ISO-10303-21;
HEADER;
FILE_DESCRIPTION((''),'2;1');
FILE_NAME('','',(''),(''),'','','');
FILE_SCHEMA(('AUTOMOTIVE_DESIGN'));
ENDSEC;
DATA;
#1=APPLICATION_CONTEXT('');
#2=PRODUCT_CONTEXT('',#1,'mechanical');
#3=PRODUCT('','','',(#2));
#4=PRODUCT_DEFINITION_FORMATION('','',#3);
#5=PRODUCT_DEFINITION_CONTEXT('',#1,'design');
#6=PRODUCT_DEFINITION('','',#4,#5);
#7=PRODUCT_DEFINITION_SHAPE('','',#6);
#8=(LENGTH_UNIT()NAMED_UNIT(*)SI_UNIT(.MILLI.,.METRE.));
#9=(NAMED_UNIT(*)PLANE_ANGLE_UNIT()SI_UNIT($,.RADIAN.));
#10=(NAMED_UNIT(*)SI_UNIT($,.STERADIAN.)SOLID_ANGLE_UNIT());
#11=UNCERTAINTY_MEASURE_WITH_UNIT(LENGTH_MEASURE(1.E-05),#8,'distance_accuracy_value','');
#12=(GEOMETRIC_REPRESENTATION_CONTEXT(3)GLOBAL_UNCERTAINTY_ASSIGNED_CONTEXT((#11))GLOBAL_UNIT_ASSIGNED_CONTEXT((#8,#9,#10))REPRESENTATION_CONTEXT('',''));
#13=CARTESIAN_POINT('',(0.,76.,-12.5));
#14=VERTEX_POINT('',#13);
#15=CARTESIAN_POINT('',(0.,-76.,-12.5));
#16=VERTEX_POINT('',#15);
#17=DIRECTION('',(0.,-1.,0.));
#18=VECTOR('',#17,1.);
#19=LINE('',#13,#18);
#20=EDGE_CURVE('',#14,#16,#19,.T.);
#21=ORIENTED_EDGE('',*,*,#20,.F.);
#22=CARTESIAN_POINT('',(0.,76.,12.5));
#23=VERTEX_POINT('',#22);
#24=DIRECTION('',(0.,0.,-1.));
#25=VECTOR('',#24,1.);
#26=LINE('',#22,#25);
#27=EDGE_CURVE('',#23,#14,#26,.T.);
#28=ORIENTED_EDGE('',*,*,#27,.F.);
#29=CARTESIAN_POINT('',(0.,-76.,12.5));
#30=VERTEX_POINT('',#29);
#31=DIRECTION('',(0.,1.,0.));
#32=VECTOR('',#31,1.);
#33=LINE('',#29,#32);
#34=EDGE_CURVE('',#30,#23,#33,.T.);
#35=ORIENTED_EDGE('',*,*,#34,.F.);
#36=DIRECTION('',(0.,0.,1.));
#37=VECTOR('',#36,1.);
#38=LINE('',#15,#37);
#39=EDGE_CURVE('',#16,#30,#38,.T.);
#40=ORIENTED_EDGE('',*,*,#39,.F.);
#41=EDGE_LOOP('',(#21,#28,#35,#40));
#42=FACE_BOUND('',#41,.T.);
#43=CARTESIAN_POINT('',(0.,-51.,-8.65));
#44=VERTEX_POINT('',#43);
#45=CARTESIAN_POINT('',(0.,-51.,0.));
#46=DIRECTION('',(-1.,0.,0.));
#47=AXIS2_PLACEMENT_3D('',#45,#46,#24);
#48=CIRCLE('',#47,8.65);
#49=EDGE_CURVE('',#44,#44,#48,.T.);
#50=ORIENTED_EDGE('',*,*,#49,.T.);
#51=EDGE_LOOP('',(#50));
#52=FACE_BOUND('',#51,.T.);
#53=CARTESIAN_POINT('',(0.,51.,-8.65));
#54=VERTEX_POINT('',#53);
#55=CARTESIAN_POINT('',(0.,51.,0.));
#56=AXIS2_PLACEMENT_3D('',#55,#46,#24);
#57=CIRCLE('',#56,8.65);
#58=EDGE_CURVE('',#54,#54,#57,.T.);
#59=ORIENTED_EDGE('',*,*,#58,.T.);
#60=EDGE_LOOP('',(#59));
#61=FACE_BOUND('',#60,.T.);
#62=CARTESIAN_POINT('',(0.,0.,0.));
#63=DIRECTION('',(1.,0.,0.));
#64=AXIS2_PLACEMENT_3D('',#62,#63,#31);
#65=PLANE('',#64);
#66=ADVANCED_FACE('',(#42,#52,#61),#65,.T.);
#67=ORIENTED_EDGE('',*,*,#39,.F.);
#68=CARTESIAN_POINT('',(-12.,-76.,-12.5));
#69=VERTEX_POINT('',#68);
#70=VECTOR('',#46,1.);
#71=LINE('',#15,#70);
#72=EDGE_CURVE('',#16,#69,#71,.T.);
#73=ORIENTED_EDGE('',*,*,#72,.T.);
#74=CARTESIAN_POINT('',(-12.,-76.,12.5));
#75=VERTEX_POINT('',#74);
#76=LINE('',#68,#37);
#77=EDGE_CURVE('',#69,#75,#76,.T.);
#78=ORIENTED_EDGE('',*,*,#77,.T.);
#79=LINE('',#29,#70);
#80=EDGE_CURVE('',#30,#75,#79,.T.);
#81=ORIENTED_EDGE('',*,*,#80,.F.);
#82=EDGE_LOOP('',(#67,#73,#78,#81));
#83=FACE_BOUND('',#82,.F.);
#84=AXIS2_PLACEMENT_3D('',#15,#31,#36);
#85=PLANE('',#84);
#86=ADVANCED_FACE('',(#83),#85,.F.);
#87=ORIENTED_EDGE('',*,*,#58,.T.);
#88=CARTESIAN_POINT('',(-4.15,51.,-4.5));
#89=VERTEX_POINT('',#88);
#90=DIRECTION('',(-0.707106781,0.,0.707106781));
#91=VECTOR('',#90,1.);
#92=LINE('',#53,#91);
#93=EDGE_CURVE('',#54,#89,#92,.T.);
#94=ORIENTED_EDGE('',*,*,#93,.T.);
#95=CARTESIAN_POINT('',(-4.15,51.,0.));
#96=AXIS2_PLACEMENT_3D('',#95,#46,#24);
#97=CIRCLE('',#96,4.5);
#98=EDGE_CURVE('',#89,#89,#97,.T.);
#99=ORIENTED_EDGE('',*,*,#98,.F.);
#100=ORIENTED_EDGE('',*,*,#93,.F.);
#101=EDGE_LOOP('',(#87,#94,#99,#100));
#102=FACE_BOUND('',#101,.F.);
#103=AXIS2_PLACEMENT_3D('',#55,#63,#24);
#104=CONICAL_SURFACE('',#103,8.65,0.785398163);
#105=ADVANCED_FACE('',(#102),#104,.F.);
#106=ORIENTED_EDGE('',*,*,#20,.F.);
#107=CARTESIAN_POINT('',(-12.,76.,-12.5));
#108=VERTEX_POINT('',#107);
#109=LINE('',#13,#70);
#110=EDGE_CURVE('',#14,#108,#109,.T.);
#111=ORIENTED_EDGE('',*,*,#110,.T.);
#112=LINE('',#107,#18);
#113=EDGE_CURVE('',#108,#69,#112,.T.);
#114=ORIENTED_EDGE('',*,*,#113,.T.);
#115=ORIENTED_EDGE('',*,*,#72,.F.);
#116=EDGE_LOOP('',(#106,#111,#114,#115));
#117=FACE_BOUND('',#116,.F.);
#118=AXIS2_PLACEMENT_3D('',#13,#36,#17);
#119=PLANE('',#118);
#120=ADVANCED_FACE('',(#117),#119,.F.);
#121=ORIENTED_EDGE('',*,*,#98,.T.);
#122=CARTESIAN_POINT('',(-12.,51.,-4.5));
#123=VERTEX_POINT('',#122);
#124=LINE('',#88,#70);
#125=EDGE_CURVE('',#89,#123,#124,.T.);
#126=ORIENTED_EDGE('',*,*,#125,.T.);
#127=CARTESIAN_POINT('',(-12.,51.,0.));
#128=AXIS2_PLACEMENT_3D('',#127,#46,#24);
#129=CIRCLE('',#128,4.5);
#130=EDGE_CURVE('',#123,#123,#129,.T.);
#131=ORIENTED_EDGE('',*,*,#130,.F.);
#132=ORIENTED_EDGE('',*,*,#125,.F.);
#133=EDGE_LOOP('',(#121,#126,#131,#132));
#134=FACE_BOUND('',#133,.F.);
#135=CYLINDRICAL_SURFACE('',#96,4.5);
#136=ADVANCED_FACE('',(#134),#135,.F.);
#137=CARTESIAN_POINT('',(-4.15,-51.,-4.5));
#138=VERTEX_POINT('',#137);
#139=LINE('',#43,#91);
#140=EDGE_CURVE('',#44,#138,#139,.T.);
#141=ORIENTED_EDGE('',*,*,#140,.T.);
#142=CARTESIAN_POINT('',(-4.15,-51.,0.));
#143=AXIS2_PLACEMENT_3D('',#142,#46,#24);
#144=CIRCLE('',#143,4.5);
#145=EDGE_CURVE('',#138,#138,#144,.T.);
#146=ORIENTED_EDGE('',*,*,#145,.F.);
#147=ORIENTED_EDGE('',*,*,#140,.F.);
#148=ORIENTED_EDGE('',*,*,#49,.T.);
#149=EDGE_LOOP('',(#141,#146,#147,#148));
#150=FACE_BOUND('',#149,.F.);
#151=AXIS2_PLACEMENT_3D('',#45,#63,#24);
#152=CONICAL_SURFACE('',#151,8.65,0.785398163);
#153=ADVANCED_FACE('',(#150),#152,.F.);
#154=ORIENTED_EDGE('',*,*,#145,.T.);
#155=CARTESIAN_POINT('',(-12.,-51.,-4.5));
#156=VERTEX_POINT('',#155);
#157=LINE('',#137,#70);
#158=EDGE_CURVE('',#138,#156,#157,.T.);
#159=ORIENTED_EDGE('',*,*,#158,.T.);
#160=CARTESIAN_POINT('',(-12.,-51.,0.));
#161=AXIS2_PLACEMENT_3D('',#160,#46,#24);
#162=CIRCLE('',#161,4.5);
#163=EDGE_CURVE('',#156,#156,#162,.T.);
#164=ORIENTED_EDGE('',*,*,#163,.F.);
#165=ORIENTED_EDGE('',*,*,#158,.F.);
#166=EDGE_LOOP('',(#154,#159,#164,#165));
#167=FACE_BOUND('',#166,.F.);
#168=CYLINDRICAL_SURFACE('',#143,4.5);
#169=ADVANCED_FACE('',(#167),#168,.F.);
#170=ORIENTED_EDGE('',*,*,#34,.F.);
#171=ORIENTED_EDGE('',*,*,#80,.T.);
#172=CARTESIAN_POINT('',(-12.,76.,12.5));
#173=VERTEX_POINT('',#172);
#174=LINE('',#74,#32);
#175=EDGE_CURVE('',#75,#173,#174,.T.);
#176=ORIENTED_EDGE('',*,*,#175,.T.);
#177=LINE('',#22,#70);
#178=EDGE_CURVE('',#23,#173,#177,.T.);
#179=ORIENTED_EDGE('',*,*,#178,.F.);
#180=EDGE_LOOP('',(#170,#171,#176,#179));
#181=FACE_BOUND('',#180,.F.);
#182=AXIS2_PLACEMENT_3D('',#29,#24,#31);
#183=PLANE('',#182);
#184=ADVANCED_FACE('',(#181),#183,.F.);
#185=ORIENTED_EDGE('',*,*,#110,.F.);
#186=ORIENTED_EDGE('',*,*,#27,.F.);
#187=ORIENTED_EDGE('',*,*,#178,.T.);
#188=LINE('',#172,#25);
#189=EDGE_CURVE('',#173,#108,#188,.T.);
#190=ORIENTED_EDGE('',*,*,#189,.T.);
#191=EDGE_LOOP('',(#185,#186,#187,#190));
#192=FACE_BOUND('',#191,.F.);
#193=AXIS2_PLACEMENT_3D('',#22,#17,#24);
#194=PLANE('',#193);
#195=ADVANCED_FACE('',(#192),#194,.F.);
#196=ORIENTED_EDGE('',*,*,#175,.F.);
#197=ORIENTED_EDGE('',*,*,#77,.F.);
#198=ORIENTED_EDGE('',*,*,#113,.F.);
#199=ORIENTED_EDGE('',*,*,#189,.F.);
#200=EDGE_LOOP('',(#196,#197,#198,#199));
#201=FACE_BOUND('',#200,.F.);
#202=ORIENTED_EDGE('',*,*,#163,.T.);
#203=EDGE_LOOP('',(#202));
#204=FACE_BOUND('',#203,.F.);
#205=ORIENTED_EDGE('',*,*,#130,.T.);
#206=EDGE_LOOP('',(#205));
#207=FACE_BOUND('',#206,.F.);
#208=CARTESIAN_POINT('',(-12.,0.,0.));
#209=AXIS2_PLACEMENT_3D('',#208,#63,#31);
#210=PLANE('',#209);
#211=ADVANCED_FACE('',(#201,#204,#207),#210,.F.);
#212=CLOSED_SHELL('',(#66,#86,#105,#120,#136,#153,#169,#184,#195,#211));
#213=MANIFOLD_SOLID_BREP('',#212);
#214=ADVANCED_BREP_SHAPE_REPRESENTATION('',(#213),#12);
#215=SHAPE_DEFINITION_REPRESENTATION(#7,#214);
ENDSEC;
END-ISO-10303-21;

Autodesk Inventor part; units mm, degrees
ref_plane "YZ Plane" through (0, 0, 0) normal (1, 0, 0) x (0, 1, 0)
ref_plane "XZ Plane" through (0, 0, 0) normal (0, 1, 0) x (-1, 0, 0)
ref_plane "XY Plane" through (0, 0, 0) normal (0, 0, 1) x (1, 0, 0)
sketch "Sketch1" plane through (0, 0, 0) normal (1, 0, 0) x (0, 1, 0)
  line L0 (-76, 12.5) -> (76, 12.5)
  line L1 (76, 12.5) -> (76, -12.5)
  line L2 (76, -12.5) -> (-76, -12.5)
  line L3 (-76, -12.5) -> (-76, 12.5)
  line L4 (-85.317, 0) -> (85.317, 0) construction
  point P0 (0, 0)
  point P1 (0, 0)
  point P2 (-51, 0)
  point P3 (51, 0)
  dimension "d0" = 152
  dimension "d1" = 25
  dimension "d2" = 76
  dimension "d3" = 12.5
  dimension "d4" = 25
  dimension "d5" = 25
extrude "Extrusion1" add sketch "Sketch1" against normal blind 12
hole "Hole1" at (0, -51, 0) at (0, 51, 0) direction (-1, 0, 0) diameter 9 end through all countersink diameter 17.3 countersink angle 90 clearance for "Countersunk Flat Head Screw ISO 2009/7046" size "M8" standard "ISO"
equation "\"d2\" = 0.5 * d0"
equation "\"d3\" = 0.5 * d1"
properties part number "JAW CAP" material "Steel, Alloy"
